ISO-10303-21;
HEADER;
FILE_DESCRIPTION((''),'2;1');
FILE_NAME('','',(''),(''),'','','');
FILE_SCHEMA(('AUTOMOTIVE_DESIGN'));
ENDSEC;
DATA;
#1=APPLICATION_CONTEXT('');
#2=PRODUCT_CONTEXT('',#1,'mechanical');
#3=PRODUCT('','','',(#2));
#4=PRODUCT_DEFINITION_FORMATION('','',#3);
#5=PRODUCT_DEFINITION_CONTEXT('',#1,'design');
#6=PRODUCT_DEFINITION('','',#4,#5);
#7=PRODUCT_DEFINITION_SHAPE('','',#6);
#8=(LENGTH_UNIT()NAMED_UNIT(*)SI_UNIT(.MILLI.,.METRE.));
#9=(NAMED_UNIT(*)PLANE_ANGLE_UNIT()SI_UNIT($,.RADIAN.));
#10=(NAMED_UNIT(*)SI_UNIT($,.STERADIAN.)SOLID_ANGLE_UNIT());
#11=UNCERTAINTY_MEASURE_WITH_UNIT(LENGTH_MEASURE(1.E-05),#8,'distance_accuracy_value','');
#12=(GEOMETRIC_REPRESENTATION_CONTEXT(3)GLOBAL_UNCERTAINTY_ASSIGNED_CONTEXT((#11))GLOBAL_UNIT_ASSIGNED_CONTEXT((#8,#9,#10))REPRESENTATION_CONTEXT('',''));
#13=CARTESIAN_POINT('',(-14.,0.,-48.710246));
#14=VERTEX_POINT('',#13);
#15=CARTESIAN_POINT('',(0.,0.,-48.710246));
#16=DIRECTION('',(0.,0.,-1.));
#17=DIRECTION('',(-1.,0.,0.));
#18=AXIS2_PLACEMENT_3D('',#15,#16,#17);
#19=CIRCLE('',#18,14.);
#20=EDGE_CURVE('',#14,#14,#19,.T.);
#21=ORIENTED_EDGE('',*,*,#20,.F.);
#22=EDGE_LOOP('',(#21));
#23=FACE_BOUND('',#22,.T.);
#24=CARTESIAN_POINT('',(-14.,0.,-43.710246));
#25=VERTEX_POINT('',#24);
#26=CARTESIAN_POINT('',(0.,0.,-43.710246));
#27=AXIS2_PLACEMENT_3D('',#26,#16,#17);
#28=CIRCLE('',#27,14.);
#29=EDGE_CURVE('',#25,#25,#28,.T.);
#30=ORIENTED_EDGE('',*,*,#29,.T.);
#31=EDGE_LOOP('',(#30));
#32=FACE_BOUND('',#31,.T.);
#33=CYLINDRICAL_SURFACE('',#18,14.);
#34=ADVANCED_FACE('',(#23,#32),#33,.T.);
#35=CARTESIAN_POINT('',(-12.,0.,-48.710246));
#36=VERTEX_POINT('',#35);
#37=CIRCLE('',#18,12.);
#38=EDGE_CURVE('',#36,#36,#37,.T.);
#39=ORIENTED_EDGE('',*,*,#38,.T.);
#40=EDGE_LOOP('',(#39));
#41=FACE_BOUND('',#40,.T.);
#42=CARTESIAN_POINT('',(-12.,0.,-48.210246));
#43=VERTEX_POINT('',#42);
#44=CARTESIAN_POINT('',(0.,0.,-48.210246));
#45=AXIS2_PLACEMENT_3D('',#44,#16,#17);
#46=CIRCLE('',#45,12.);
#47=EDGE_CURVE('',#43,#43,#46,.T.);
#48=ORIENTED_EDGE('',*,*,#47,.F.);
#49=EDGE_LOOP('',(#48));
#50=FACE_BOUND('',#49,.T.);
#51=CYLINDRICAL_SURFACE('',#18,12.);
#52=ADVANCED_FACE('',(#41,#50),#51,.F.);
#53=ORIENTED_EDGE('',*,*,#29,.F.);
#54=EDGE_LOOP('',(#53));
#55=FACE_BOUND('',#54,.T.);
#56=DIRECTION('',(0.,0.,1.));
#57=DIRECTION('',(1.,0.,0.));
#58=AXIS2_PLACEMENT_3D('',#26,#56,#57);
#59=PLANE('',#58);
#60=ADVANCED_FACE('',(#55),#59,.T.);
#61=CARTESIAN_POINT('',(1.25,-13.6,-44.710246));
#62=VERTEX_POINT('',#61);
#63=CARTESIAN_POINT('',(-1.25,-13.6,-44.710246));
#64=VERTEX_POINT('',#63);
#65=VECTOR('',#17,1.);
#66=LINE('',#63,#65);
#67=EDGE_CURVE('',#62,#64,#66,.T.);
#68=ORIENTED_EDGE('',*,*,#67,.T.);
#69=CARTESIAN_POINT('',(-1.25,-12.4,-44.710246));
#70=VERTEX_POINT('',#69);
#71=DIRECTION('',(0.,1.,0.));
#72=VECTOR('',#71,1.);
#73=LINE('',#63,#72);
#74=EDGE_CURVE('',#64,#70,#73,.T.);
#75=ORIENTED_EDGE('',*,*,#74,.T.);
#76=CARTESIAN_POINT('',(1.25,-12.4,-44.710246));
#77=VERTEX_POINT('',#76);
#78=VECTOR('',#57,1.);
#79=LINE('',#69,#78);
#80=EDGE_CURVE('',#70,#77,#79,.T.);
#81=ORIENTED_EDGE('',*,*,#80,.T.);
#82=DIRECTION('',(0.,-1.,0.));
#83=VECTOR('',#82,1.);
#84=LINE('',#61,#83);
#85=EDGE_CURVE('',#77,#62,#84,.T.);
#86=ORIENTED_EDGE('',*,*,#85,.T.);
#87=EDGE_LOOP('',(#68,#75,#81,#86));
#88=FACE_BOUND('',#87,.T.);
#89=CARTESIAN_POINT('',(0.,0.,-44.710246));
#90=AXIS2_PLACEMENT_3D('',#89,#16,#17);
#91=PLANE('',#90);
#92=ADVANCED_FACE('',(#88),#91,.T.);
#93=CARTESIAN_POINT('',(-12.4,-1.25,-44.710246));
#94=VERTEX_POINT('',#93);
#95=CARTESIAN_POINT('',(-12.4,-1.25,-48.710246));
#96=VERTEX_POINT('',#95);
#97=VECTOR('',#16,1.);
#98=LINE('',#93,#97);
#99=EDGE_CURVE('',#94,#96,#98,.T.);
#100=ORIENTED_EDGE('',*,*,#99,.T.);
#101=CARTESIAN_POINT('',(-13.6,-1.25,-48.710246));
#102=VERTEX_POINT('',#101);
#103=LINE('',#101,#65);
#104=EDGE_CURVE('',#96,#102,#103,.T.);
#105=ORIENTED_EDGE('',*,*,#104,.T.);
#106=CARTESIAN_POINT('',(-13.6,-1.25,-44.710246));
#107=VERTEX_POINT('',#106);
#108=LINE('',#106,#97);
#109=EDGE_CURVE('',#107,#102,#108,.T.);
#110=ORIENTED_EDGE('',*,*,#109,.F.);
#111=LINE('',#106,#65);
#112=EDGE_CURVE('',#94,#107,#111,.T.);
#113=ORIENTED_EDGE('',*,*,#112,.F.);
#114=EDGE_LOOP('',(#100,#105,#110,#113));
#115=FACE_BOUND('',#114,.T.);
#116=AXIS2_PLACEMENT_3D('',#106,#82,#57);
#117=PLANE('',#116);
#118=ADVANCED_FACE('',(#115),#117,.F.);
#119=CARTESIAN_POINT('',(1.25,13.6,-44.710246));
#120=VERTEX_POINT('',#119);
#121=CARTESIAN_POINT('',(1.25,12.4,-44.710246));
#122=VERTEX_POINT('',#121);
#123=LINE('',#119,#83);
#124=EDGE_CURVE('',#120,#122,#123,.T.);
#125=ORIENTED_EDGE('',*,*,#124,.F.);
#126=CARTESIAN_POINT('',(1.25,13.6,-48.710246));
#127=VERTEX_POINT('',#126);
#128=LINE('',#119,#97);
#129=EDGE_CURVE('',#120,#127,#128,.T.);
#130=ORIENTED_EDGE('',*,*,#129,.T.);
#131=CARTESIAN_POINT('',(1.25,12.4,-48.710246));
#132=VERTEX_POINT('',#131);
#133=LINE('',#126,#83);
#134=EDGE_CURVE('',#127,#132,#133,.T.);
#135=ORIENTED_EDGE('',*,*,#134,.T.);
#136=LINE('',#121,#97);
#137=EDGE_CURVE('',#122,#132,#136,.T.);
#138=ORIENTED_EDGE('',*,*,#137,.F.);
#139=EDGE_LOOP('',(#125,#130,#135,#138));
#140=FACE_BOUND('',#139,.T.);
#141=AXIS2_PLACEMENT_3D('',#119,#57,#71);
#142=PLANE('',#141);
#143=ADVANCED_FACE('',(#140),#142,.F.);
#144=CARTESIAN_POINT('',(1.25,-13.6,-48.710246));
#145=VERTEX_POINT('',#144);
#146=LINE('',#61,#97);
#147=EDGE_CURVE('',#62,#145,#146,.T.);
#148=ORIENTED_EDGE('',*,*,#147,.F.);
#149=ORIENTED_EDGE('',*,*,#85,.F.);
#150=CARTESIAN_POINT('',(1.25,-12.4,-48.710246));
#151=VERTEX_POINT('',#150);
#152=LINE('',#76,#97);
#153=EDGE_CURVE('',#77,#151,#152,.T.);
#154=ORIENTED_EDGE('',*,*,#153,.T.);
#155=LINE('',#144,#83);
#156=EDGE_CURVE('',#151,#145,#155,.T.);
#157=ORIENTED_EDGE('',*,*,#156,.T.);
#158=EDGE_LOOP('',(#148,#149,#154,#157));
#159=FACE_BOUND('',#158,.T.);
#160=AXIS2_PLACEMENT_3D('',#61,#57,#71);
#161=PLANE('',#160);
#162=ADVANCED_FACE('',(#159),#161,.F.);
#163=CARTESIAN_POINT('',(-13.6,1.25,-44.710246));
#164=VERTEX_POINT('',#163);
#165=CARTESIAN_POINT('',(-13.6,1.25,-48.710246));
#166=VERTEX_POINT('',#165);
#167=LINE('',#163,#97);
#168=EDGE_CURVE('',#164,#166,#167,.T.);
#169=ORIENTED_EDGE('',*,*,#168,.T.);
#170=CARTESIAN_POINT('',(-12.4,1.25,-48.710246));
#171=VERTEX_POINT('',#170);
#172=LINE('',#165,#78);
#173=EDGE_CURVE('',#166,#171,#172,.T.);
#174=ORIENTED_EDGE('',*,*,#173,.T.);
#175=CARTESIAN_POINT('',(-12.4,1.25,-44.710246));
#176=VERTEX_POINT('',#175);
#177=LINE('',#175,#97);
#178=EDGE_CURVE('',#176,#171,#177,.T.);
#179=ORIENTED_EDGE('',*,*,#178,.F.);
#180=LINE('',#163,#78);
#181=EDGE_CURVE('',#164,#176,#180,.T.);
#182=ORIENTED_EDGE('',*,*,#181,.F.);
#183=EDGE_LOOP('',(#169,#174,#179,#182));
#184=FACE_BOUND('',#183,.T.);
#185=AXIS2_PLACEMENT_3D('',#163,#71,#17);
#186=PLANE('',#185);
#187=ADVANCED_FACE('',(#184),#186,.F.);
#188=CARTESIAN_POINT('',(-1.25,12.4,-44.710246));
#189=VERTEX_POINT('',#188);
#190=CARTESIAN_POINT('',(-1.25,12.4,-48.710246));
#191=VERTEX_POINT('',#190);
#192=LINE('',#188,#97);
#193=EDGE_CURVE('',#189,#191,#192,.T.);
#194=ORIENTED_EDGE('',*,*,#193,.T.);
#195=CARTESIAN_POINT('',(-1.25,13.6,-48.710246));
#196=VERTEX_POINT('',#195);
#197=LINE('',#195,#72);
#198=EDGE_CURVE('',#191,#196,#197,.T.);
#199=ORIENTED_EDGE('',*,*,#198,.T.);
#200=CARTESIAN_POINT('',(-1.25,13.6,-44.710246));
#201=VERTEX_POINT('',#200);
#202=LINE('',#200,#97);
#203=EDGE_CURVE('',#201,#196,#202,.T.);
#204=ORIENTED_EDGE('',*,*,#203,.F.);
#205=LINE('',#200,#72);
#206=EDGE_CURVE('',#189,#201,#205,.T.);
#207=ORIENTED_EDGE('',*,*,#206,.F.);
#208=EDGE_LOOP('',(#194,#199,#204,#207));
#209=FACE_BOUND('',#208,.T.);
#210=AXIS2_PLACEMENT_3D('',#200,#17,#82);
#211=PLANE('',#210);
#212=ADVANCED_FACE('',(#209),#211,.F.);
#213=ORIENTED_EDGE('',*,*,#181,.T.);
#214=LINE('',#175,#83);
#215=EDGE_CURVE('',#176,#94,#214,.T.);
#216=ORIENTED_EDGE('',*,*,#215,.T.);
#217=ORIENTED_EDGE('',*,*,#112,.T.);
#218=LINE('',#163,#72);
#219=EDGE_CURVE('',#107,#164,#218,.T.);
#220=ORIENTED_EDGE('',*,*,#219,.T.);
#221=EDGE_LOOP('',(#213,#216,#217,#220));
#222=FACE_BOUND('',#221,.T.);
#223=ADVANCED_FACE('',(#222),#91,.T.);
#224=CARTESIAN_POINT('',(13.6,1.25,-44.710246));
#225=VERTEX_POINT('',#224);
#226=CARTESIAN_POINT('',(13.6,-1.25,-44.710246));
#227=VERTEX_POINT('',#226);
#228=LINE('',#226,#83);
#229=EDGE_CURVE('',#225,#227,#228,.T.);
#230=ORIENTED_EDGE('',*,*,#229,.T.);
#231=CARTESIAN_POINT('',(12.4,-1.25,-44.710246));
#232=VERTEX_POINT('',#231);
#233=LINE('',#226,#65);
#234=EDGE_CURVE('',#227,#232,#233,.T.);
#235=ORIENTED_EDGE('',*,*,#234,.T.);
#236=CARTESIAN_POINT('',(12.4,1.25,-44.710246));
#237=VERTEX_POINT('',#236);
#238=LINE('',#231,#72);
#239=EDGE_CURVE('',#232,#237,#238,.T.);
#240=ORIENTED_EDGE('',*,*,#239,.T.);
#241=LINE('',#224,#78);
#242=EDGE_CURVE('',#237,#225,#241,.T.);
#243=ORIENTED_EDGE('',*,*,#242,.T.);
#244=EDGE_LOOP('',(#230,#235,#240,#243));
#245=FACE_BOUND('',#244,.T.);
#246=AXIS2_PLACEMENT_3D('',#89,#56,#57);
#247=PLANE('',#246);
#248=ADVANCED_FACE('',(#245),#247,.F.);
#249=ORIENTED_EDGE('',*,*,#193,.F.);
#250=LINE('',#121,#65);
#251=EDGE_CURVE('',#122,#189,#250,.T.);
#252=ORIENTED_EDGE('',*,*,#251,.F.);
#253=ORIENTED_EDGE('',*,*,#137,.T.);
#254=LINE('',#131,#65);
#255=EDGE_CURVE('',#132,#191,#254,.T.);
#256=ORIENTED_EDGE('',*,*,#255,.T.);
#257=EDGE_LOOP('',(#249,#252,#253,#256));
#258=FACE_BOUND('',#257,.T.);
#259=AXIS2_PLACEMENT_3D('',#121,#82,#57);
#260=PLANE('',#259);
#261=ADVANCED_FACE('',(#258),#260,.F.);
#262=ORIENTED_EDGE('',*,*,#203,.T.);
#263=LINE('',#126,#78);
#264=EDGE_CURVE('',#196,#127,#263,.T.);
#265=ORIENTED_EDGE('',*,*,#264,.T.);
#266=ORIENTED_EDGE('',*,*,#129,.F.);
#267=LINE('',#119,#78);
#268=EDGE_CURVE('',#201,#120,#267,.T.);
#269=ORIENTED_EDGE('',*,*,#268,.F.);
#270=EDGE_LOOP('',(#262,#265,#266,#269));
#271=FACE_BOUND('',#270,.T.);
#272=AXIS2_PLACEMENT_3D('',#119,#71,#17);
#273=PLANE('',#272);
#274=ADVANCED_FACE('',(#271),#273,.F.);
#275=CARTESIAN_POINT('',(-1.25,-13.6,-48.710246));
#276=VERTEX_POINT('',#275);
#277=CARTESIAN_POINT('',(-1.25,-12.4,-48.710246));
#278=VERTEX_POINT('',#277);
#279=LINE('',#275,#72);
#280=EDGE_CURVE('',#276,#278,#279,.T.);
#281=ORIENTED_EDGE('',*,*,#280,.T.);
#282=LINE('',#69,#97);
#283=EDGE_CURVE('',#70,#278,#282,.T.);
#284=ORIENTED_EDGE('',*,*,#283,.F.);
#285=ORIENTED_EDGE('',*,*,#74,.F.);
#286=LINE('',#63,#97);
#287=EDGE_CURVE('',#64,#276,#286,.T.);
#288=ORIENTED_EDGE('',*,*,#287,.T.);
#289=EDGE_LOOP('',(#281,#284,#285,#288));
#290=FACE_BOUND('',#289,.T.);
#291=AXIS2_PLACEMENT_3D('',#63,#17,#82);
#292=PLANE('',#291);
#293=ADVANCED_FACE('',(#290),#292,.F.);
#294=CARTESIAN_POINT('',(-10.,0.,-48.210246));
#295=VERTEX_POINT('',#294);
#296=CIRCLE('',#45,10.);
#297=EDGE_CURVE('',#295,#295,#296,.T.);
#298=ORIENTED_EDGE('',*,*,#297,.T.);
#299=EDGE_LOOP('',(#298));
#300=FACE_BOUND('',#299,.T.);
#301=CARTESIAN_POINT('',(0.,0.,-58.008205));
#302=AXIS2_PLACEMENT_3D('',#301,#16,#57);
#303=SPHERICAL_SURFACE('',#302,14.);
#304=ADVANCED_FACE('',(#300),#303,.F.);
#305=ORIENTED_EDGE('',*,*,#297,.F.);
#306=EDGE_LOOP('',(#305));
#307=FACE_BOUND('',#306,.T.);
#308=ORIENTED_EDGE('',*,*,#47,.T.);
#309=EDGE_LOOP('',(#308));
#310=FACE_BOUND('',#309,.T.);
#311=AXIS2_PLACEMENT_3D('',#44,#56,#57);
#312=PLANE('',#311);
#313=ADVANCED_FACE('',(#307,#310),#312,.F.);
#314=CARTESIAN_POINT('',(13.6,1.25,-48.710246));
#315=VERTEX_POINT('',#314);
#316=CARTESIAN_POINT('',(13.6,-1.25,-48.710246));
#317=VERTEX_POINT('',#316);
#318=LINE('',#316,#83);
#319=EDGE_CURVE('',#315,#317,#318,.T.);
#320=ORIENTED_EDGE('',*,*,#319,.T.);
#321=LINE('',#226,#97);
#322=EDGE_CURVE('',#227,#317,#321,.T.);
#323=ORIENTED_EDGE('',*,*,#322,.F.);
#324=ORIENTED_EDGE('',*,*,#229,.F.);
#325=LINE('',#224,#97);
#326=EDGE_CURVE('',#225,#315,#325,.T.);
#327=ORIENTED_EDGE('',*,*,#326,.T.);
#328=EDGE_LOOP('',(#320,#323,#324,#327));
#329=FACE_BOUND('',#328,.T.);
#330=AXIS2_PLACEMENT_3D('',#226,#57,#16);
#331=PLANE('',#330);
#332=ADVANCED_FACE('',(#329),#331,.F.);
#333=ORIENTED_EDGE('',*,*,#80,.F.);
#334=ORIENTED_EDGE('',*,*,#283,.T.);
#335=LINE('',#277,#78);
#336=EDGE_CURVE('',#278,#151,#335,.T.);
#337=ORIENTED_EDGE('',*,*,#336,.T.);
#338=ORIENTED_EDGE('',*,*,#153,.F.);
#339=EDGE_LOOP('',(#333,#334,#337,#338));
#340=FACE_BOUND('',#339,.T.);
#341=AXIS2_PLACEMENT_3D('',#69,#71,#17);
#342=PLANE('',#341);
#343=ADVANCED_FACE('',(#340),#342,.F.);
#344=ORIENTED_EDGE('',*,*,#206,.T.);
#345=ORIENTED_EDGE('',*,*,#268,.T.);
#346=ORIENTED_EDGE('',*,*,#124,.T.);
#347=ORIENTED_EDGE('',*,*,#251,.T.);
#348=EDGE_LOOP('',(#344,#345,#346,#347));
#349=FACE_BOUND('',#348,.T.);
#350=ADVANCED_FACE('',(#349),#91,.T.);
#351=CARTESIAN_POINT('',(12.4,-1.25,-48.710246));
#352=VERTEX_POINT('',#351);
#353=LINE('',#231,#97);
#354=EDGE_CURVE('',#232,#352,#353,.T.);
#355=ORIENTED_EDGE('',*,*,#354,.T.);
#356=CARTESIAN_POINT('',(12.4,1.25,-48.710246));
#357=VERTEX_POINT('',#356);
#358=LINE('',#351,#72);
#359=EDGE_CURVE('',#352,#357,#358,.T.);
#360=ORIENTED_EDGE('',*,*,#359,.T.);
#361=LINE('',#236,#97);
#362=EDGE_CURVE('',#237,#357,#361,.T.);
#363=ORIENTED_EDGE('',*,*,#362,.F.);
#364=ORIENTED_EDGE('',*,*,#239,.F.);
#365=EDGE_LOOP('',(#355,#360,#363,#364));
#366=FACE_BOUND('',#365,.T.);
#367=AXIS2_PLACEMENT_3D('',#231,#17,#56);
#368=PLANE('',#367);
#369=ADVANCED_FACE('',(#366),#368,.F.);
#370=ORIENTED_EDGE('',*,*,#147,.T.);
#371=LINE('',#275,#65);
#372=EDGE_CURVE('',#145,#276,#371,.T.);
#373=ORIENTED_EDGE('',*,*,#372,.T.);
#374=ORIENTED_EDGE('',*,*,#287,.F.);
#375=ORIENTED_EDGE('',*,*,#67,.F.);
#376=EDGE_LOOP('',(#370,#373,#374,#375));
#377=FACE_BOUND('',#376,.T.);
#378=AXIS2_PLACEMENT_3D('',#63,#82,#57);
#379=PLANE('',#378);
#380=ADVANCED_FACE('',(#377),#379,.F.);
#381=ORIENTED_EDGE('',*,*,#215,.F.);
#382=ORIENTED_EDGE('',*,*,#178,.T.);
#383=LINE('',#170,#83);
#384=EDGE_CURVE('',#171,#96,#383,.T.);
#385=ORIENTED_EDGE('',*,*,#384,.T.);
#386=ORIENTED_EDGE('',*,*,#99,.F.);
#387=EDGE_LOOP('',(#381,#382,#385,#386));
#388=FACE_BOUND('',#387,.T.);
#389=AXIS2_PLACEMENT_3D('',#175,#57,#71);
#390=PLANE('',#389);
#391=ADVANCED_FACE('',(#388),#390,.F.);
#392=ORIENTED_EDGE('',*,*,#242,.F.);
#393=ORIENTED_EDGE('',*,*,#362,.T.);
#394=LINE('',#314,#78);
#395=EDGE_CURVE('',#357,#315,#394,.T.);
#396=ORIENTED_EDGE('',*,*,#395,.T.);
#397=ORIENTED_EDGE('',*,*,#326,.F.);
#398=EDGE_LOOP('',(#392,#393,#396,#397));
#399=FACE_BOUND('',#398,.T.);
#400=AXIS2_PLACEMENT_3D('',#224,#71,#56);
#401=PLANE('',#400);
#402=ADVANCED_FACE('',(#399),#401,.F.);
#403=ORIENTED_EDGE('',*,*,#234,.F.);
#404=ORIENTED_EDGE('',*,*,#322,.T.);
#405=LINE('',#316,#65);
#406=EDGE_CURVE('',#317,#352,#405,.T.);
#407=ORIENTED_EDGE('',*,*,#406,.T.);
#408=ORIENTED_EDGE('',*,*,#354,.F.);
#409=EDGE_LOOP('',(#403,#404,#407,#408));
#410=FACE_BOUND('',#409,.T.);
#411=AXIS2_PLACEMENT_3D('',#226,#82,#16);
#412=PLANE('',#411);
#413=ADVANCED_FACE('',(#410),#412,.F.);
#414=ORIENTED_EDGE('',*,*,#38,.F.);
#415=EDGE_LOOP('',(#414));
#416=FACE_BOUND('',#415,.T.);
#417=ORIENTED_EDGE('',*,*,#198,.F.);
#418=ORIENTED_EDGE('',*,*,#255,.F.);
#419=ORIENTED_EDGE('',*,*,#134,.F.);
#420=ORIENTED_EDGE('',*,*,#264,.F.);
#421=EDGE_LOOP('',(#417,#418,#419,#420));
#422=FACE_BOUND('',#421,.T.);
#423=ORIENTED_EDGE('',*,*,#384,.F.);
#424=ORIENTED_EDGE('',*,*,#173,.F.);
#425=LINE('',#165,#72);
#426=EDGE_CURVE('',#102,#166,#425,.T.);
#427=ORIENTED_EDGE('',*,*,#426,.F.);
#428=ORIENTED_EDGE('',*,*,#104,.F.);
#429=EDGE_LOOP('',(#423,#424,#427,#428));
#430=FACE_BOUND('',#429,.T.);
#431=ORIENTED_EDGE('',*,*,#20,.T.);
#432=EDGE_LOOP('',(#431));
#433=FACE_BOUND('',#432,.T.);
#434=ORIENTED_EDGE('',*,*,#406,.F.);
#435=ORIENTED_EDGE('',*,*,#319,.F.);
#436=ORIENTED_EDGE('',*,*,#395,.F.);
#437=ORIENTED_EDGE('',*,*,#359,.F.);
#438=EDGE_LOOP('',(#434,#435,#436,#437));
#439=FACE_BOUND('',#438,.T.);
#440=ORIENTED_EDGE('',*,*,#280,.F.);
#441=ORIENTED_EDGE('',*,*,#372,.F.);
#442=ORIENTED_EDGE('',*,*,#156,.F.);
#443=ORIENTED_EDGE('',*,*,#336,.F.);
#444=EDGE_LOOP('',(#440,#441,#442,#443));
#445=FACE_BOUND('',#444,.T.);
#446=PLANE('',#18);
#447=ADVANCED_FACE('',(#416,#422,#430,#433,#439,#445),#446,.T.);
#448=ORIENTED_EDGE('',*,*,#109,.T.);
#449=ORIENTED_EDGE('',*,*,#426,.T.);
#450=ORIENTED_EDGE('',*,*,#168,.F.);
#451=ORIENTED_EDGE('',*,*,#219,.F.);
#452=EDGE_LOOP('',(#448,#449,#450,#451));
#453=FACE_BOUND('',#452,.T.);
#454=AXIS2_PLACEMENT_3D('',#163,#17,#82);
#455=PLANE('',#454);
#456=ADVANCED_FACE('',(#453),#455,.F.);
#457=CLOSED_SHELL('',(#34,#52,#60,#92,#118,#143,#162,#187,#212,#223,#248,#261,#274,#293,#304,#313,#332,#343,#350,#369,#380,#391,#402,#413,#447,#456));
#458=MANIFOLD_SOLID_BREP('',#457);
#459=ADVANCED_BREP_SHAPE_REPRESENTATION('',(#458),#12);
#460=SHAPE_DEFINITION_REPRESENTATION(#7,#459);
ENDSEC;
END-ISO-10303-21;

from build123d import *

# Parameters (mm, degrees)
SKETCH2_W          = 2.5
SKETCH2_H          = 1.2
SKETCH2_W_2        = 1.2
SKETCH2_H_2        = 2.5
CUT_EXTRUDE1_DEPTH = 4


with BuildPart() as part:
    # Sketch1 → Revolve1 (revolve)
    with BuildSketch(Plane(origin=(0, 0, 0), x_dir=(1, 0, 0), z_dir=(0, 1, 0))):
        with BuildLine():
            ThreePointArc((10, 48.210245834), (5.423494003, 45.101396028), (0, 44.008204805))
            Line((0, 44.008204805), (0, 43.710245834))
            Line((0, 43.710245834), (14, 43.710245834))
            Line((14, 43.710245834), (14, 48.710245834))
            Line((14, 48.710245834), (12, 48.710245834))
            Line((12, 48.710245834), (12, 48.210245834))
            Line((12, 48.210245834), (10, 48.210245834))
        make_face()
    revolve(axis=Axis((0, 0, -48.710245834), (0, 0, 1)))

    # Sketch2 → Cut-Extrude1 (cut)
    with BuildSketch(Plane(origin=(0, 0, -48.710245834), x_dir=(-1, 0, 0), z_dir=(0, 0, -1))):
        with Locations((0, 13)):
            Rectangle(SKETCH2_W, SKETCH2_H)
        with Locations((-13, 0)):
            Rectangle(SKETCH2_W_2, SKETCH2_H_2)
        with Locations((13, 0)):
            Rectangle(SKETCH2_W_2, SKETCH2_H_2)
        with Locations((0, -13)):
            Rectangle(SKETCH2_W, SKETCH2_H)
    extrude(amount=-CUT_EXTRUDE1_DEPTH, mode=Mode.SUBTRACT)


solid = part.part
